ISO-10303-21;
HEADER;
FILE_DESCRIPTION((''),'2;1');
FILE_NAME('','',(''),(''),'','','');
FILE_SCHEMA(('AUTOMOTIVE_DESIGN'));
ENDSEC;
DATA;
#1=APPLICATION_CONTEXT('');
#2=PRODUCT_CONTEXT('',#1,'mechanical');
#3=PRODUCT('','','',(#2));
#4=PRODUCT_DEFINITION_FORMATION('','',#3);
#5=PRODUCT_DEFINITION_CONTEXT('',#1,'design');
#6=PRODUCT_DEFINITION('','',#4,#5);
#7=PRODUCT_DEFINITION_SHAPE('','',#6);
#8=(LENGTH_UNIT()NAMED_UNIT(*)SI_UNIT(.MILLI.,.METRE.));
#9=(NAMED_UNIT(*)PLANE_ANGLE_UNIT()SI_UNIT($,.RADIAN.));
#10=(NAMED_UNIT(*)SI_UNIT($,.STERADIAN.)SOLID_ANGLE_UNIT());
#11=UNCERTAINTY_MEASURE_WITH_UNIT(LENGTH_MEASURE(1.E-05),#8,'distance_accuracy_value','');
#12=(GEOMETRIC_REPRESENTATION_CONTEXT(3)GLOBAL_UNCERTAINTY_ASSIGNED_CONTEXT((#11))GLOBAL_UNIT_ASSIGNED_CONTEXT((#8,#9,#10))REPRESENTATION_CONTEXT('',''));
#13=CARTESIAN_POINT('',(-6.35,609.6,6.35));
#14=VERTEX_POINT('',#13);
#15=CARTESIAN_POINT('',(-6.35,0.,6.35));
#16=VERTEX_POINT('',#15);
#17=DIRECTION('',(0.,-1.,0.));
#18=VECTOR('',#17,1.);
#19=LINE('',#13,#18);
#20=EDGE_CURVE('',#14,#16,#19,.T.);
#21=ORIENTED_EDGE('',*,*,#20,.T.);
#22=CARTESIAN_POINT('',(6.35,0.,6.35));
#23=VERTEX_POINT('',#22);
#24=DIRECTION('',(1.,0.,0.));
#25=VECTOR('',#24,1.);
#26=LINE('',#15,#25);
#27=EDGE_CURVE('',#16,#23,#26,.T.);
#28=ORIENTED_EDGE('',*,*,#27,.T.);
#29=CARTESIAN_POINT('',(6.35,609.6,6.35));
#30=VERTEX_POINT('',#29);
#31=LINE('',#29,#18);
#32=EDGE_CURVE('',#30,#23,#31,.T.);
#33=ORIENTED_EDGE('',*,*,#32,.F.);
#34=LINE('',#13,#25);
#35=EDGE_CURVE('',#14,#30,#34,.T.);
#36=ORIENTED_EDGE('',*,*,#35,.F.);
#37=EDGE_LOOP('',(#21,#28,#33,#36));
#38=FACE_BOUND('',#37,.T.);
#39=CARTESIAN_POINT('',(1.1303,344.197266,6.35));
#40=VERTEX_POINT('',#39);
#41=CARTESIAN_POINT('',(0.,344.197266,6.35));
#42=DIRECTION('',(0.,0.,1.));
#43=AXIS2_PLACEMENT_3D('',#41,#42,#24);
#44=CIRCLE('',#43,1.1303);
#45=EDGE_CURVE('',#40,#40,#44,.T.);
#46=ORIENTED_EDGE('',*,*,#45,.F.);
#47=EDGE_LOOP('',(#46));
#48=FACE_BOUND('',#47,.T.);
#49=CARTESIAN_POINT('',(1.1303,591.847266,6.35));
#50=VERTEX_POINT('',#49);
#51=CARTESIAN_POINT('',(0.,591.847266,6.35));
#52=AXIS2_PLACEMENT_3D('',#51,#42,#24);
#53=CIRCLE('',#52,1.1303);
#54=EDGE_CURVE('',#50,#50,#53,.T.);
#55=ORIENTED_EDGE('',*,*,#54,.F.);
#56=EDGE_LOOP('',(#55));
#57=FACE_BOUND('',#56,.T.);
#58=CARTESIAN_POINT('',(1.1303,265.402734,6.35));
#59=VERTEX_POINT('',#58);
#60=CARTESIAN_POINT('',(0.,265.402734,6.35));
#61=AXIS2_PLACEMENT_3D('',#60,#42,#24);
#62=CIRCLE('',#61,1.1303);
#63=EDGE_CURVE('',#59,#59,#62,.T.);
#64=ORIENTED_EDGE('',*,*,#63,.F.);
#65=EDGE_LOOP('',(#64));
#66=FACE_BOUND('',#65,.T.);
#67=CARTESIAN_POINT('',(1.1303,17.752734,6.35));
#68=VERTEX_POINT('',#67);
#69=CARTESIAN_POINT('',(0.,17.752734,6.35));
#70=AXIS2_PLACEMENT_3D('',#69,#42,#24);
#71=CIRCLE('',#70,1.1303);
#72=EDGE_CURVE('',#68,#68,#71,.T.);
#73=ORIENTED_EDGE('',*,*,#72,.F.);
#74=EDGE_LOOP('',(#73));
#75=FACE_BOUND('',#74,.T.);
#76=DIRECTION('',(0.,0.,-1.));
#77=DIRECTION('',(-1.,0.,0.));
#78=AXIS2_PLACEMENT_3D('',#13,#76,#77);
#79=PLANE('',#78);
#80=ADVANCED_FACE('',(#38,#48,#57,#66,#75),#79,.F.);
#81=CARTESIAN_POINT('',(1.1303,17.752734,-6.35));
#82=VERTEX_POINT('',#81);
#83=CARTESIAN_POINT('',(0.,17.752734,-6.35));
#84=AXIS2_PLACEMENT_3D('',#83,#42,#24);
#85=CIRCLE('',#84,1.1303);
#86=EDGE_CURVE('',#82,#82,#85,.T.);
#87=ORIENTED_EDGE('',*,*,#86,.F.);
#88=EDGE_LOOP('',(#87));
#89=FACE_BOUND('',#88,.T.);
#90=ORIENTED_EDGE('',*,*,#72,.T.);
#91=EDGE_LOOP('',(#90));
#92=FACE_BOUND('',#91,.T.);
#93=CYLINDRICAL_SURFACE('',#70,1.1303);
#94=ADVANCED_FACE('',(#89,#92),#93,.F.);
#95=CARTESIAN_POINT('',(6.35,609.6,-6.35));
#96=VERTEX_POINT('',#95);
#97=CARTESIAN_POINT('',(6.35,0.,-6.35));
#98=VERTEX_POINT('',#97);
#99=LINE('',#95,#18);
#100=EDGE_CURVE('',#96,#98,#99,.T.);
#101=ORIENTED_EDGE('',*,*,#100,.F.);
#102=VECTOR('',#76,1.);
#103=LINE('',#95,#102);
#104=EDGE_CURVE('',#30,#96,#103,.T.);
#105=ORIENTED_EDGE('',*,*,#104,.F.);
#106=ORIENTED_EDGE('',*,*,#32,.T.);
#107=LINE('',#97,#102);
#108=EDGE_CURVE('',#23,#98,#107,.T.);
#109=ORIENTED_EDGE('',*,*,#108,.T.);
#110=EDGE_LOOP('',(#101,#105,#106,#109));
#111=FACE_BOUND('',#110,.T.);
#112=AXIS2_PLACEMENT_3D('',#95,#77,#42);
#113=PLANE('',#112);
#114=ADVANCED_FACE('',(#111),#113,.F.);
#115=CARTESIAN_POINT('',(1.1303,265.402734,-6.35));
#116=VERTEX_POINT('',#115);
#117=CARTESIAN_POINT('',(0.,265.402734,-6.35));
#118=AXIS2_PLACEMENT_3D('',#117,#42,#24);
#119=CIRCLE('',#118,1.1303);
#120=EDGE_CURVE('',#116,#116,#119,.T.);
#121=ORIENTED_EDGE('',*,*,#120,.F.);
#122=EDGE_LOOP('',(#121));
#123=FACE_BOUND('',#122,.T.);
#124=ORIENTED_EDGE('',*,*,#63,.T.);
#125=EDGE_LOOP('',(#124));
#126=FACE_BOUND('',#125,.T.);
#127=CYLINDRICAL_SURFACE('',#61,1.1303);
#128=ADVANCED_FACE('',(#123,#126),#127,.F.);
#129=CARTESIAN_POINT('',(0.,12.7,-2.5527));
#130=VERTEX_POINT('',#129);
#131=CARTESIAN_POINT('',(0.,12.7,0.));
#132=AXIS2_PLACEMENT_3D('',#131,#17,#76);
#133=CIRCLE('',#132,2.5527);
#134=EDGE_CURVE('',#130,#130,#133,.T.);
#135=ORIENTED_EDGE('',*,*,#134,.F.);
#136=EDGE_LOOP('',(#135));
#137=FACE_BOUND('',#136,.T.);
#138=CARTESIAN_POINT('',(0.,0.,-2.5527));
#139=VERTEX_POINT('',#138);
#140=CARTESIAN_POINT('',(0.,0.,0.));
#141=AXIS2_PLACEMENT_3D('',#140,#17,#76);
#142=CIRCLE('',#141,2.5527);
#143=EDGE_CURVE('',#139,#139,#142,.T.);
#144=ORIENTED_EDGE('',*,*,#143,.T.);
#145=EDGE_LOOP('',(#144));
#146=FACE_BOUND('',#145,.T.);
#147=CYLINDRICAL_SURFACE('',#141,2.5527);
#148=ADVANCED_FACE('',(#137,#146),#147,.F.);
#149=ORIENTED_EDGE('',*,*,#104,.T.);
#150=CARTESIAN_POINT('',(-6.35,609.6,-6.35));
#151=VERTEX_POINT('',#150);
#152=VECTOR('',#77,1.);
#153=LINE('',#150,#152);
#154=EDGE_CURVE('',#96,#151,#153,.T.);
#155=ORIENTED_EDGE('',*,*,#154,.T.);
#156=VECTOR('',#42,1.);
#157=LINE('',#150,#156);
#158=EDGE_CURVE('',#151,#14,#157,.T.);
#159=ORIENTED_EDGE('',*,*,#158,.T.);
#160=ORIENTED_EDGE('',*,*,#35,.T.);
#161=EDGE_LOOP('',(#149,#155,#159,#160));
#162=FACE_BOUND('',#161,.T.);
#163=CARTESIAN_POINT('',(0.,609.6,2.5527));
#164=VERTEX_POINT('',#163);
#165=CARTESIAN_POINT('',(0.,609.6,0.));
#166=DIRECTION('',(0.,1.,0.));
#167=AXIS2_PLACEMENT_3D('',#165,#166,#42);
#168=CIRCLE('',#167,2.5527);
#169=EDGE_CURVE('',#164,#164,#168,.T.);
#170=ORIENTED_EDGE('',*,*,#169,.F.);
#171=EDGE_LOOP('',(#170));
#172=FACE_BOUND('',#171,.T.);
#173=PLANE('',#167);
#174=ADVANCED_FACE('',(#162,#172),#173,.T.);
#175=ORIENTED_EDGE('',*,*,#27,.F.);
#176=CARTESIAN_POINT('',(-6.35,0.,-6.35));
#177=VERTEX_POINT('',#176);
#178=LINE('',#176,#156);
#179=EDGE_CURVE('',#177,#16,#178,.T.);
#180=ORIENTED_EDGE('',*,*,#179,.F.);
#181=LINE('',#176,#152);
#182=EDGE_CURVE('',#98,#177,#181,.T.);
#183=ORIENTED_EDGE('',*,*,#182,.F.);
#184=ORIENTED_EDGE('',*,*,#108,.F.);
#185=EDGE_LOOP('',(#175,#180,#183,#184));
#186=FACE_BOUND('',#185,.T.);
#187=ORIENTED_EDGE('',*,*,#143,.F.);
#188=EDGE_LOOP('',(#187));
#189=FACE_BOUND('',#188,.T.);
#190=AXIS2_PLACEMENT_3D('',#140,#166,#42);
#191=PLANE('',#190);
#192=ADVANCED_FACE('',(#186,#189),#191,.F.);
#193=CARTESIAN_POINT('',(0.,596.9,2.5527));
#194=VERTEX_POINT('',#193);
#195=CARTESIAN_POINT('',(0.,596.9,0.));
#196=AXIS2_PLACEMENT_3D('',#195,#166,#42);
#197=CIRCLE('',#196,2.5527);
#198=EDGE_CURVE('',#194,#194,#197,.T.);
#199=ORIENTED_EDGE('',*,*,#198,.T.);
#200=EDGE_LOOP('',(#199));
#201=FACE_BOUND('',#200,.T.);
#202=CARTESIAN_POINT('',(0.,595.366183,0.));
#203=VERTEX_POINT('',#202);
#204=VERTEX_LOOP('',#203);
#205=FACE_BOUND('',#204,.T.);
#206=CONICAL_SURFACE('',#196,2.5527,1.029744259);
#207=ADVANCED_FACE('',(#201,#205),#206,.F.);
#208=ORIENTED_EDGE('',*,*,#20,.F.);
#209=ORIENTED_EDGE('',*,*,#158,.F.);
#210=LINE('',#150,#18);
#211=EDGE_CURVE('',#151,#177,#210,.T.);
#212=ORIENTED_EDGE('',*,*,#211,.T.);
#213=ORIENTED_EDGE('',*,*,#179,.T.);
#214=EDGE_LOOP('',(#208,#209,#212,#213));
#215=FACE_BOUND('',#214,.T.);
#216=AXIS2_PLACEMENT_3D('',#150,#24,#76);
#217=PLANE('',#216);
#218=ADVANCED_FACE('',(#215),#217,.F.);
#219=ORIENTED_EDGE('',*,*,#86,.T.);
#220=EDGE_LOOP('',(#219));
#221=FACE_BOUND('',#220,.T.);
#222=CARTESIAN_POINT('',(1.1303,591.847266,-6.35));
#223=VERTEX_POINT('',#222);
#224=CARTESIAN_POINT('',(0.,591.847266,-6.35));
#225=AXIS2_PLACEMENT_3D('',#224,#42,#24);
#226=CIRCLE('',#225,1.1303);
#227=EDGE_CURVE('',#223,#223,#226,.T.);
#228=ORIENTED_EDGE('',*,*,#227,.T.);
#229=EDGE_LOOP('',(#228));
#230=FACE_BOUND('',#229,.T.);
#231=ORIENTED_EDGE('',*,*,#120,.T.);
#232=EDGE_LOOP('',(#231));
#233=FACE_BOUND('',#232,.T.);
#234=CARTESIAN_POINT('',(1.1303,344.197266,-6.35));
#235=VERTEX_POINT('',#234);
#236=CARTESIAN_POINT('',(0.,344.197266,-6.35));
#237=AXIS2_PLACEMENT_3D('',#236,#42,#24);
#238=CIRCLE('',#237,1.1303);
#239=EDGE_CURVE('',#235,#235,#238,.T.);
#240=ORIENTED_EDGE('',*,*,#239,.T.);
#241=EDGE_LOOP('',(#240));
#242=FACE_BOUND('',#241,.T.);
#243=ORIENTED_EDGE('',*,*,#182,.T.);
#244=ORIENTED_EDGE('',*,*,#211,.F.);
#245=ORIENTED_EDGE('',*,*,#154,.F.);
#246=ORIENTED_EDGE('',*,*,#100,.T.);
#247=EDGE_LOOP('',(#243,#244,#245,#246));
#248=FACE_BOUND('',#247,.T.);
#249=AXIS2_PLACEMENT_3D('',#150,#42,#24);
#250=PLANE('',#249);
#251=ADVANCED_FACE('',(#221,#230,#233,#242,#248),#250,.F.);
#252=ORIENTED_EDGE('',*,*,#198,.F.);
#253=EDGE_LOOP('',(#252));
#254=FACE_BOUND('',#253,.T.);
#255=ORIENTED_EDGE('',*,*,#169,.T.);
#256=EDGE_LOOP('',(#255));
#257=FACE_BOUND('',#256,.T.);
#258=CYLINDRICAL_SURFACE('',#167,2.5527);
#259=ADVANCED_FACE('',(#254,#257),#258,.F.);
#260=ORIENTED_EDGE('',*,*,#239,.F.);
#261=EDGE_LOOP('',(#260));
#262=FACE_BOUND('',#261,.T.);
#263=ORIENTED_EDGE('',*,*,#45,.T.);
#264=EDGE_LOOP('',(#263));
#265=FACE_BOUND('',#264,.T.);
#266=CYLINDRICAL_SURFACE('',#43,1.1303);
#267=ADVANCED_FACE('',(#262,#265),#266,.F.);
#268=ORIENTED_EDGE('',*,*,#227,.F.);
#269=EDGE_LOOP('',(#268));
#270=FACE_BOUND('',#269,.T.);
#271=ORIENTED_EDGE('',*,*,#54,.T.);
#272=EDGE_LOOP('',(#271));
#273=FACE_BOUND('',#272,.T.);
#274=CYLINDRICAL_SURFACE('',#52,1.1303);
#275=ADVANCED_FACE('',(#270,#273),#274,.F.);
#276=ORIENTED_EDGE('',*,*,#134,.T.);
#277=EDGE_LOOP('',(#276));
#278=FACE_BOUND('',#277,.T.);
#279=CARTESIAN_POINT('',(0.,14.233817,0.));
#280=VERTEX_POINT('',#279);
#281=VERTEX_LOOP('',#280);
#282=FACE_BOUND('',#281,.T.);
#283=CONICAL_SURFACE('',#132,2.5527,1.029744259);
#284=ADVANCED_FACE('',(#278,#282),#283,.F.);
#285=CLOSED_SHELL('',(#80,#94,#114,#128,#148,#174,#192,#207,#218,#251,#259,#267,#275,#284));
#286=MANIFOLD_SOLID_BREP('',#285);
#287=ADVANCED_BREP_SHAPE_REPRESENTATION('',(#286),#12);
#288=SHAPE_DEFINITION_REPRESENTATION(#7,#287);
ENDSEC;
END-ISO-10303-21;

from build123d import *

# Parameters (mm, degrees)
SKETCH1_W             = 12.7
SKETCH1_H             = 12.7
BOSS_EXTRUDE1_DEPTH   = 609.6
F_4_40_TAPPED_HOLE2_D = 2.2606


with BuildPart() as part:
    # Sketch1 → Boss-Extrude1 (new body)
    with BuildSketch(Plane(origin=(0, 0, 0), x_dir=(1, 0, 0), z_dir=(0, 1, 0))):
        Rectangle(SKETCH1_W, SKETCH1_H)
    extrude(amount=BOSS_EXTRUDE1_DEPTH)

    # Sketch8 → 1/4-20 Tapped Hole1 (revolve, cut)
    with BuildSketch(Plane(origin=(0, 0, 0), x_dir=(0, 0, -1), z_dir=(1, 0, 0))):
        Polygon((0, 0), (0, 14.233816902), (2.5527, 12.7), (2.5527, 0), align=None)
    f_1_4_20_tapped_hole1 = revolve(axis=Axis((0, -6.35, 0), (0, 1, 0)), mode=Mode.SUBTRACT)

    # #4-40 Tapped Hole2 (through all)
    with Locations(Plane(origin=(0, 17.752734497, 6.35), x_dir=(1, 0, 0), z_dir=(0, 0, 1))):
        with Locations((0, 0), (0, 247.65)):
            f_4_40_tapped_hole2 = Hole(F_4_40_TAPPED_HOLE2_D / 2)

    # Mirror1: 1/4-20 Tapped Hole1, #4-40 Tapped Hole2 across plane
    add(f_1_4_20_tapped_hole1.mirror(Plane.ZX.offset(304.8)), mode=Mode.SUBTRACT)
    add(f_4_40_tapped_hole2.mirror(Plane.ZX.offset(304.8)), mode=Mode.SUBTRACT)


solid = part.part
